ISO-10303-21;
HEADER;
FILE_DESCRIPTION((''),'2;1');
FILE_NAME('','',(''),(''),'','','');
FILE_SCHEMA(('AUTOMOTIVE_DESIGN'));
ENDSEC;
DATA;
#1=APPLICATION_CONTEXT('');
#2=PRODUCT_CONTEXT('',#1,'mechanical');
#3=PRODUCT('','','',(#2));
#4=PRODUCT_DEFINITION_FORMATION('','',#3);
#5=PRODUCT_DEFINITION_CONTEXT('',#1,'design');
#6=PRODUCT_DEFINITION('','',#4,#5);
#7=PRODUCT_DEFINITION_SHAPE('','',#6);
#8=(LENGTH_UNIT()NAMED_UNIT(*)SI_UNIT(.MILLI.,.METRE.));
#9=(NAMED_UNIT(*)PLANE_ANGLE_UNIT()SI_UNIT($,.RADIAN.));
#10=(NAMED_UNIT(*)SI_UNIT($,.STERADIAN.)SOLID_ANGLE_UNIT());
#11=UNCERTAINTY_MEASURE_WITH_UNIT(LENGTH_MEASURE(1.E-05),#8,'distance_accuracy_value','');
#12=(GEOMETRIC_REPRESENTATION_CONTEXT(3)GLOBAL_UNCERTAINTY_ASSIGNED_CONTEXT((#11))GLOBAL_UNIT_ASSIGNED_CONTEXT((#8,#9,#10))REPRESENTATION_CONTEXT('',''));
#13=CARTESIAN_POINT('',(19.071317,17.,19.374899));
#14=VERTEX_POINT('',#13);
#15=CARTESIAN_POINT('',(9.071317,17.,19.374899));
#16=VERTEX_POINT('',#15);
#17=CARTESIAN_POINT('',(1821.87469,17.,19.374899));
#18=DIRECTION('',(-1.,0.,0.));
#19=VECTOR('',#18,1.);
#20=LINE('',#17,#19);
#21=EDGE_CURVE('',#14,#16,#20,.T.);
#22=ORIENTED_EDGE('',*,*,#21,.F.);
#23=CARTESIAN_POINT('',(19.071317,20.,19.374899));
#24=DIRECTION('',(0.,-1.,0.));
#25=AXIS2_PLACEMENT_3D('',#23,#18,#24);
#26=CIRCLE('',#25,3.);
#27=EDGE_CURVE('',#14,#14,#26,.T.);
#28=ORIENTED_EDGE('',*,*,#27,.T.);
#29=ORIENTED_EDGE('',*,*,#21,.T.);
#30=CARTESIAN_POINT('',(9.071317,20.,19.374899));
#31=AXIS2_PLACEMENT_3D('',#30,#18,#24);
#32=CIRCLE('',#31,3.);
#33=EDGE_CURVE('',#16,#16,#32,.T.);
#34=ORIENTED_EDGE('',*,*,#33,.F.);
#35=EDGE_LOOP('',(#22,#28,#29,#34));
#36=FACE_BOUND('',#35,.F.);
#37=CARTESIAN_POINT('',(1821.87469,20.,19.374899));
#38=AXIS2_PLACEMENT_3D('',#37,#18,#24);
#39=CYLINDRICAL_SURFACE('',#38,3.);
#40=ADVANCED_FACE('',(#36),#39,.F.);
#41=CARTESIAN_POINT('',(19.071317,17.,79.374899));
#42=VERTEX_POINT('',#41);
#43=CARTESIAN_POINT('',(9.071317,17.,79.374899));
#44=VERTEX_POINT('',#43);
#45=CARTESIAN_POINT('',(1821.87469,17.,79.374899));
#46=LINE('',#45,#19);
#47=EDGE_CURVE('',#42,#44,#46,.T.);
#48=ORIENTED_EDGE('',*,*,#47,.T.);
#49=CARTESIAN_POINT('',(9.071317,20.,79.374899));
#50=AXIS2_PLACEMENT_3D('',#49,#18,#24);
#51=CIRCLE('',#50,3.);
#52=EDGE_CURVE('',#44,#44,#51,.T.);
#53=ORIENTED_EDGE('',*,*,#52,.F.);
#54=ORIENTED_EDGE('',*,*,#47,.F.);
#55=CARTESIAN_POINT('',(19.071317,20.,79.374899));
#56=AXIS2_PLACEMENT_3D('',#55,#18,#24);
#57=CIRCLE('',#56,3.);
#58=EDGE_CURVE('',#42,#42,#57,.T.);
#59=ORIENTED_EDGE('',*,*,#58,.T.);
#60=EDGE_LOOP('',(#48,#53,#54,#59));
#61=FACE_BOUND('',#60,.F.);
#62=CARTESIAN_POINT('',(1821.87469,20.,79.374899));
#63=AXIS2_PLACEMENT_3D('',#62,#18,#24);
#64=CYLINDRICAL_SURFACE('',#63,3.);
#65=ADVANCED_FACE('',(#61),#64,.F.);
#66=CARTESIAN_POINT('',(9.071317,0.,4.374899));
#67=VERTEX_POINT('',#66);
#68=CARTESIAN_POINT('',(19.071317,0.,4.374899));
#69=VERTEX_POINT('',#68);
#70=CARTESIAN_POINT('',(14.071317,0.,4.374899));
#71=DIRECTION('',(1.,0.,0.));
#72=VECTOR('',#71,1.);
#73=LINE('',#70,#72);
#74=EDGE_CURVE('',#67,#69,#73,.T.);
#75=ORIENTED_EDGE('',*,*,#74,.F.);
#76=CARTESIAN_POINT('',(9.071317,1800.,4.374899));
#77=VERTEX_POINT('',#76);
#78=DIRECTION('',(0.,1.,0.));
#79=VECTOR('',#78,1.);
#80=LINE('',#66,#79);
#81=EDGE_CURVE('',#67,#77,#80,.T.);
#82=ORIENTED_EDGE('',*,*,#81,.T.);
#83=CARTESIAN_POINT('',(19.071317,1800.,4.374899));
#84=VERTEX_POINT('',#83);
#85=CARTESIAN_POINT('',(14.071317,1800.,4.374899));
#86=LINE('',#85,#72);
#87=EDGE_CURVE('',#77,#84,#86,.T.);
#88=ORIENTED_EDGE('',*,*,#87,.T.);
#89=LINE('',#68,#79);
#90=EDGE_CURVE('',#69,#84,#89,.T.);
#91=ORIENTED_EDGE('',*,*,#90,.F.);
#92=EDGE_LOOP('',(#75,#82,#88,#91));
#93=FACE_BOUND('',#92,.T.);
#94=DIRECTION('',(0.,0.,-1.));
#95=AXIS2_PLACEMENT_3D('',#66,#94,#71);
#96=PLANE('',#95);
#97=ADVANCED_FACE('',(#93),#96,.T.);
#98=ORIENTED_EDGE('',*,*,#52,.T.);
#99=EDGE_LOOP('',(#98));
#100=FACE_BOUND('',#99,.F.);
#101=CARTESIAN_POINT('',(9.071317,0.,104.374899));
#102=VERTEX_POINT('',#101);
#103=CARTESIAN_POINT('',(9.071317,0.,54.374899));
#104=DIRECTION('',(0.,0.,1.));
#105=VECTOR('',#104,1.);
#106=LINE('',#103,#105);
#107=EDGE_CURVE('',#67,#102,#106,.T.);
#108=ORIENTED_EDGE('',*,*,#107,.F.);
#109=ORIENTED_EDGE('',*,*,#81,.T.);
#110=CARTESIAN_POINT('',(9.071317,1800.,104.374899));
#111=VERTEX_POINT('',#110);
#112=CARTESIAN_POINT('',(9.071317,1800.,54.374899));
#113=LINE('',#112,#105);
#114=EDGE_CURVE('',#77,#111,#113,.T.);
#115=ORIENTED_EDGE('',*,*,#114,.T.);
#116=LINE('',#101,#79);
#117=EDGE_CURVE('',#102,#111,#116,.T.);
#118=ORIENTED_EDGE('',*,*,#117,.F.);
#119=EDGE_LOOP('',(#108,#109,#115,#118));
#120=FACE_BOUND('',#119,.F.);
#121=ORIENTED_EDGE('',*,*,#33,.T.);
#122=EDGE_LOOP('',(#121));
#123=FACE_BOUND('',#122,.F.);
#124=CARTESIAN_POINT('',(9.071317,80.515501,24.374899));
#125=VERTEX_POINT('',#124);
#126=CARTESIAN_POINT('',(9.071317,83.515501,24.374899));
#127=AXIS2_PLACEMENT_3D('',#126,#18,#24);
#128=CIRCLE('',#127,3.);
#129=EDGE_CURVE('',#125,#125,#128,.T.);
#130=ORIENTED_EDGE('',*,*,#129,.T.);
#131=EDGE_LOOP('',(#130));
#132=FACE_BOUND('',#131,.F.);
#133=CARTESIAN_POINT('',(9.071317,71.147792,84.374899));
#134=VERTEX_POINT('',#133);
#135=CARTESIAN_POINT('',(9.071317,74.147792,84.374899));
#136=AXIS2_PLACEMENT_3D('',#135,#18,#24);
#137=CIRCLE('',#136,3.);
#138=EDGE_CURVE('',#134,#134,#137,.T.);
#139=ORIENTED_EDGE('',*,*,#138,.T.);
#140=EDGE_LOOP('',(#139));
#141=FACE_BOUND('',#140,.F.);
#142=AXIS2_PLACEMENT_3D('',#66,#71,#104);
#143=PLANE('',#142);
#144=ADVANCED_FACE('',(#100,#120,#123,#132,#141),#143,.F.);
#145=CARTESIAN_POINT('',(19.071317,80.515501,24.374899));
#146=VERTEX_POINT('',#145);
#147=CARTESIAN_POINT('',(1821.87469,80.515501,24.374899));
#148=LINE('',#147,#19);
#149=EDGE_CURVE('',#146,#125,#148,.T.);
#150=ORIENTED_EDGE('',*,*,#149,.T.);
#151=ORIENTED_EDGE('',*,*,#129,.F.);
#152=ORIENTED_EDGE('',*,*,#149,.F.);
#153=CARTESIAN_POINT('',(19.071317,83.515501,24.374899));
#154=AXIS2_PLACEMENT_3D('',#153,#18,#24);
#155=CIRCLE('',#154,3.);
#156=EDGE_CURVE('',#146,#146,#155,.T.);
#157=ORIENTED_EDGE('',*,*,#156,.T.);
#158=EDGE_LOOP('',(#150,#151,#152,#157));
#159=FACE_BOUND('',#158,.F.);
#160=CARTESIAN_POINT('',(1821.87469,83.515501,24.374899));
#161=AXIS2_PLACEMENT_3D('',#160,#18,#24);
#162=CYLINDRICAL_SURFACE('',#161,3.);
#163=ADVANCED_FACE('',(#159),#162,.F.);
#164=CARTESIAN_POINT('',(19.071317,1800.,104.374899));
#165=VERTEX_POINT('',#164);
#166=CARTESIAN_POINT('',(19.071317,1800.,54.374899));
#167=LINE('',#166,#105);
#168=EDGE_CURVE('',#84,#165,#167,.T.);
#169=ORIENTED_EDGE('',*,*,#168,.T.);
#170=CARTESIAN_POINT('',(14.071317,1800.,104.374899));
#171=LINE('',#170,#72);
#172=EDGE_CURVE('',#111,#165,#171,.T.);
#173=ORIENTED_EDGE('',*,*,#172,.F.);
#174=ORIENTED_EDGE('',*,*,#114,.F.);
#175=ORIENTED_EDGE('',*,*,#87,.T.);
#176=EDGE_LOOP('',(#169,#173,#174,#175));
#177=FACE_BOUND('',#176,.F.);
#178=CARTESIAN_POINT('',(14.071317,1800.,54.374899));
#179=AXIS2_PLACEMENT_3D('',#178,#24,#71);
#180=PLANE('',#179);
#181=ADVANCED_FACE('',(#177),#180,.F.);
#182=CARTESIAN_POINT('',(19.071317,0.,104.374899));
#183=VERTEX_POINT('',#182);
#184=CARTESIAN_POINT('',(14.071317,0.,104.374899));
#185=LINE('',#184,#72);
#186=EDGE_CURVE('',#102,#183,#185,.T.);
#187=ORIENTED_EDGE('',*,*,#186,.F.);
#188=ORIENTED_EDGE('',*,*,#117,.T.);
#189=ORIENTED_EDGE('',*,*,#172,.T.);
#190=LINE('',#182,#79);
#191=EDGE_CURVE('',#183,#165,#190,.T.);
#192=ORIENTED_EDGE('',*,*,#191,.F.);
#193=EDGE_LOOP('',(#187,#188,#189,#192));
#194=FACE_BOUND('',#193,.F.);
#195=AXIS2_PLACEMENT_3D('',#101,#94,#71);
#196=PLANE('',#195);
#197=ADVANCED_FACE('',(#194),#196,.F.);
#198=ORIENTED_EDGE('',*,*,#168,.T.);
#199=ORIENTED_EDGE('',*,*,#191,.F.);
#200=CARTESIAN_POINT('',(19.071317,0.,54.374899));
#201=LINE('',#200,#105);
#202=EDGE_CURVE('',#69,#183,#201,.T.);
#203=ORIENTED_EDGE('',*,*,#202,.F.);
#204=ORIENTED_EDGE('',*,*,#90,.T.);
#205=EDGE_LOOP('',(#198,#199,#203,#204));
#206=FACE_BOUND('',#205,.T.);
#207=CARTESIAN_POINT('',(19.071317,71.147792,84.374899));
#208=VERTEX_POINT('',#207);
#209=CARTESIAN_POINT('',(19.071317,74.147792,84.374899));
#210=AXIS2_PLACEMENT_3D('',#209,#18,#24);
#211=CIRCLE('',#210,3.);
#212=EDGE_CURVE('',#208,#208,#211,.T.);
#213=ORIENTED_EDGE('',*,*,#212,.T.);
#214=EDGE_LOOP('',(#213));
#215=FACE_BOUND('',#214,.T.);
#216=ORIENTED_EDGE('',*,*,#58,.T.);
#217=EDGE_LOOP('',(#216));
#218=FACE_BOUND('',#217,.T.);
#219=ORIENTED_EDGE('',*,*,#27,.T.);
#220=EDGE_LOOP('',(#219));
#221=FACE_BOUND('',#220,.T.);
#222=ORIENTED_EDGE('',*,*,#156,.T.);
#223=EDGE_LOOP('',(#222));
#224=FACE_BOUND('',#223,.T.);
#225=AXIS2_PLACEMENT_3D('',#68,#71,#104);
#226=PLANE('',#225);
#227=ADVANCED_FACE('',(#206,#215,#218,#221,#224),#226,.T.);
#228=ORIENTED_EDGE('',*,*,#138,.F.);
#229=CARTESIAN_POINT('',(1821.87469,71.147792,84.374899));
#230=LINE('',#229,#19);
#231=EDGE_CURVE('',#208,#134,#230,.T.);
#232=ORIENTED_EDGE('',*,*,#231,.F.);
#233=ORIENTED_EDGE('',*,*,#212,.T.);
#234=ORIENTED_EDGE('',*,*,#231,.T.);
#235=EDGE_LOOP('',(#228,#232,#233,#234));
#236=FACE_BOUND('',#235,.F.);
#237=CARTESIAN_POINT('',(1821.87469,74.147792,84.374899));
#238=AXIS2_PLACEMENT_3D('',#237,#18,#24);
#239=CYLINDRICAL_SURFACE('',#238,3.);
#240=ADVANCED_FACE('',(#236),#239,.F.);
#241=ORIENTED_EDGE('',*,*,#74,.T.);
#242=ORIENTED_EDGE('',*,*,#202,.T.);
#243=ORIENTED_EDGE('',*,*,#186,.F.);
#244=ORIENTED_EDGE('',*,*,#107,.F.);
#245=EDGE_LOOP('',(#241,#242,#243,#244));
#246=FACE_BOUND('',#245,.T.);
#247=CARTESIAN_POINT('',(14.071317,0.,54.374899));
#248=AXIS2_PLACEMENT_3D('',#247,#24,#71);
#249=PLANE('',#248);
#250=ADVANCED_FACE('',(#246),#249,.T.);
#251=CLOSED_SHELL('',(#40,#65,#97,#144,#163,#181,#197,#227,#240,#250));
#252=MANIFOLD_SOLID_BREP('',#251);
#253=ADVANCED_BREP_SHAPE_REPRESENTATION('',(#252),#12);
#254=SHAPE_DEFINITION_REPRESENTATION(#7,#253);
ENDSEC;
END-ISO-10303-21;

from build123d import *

# Parameters (mm, degrees)
F0_W     = 10
F0_H     = 100
F1_DEPTH = 1800
F4_D     = 6


with BuildPart() as f1:
    # F0 (on Front) → F1 (new body)
    with BuildSketch(Plane.XZ):
        with Locations((14.071317, 54.374899)):
            Rectangle(F0_W, F0_H)
    extrude(amount=-F1_DEPTH)

    # F4 (through all)
    with Locations(Plane.YZ.offset(19.071317)):
        with Locations((20, 79.374899), (20, 19.374899), (74.147792, 84.374899), (83.515501, 24.374899)):
            Hole(F4_D / 2)


solid = f1.part
